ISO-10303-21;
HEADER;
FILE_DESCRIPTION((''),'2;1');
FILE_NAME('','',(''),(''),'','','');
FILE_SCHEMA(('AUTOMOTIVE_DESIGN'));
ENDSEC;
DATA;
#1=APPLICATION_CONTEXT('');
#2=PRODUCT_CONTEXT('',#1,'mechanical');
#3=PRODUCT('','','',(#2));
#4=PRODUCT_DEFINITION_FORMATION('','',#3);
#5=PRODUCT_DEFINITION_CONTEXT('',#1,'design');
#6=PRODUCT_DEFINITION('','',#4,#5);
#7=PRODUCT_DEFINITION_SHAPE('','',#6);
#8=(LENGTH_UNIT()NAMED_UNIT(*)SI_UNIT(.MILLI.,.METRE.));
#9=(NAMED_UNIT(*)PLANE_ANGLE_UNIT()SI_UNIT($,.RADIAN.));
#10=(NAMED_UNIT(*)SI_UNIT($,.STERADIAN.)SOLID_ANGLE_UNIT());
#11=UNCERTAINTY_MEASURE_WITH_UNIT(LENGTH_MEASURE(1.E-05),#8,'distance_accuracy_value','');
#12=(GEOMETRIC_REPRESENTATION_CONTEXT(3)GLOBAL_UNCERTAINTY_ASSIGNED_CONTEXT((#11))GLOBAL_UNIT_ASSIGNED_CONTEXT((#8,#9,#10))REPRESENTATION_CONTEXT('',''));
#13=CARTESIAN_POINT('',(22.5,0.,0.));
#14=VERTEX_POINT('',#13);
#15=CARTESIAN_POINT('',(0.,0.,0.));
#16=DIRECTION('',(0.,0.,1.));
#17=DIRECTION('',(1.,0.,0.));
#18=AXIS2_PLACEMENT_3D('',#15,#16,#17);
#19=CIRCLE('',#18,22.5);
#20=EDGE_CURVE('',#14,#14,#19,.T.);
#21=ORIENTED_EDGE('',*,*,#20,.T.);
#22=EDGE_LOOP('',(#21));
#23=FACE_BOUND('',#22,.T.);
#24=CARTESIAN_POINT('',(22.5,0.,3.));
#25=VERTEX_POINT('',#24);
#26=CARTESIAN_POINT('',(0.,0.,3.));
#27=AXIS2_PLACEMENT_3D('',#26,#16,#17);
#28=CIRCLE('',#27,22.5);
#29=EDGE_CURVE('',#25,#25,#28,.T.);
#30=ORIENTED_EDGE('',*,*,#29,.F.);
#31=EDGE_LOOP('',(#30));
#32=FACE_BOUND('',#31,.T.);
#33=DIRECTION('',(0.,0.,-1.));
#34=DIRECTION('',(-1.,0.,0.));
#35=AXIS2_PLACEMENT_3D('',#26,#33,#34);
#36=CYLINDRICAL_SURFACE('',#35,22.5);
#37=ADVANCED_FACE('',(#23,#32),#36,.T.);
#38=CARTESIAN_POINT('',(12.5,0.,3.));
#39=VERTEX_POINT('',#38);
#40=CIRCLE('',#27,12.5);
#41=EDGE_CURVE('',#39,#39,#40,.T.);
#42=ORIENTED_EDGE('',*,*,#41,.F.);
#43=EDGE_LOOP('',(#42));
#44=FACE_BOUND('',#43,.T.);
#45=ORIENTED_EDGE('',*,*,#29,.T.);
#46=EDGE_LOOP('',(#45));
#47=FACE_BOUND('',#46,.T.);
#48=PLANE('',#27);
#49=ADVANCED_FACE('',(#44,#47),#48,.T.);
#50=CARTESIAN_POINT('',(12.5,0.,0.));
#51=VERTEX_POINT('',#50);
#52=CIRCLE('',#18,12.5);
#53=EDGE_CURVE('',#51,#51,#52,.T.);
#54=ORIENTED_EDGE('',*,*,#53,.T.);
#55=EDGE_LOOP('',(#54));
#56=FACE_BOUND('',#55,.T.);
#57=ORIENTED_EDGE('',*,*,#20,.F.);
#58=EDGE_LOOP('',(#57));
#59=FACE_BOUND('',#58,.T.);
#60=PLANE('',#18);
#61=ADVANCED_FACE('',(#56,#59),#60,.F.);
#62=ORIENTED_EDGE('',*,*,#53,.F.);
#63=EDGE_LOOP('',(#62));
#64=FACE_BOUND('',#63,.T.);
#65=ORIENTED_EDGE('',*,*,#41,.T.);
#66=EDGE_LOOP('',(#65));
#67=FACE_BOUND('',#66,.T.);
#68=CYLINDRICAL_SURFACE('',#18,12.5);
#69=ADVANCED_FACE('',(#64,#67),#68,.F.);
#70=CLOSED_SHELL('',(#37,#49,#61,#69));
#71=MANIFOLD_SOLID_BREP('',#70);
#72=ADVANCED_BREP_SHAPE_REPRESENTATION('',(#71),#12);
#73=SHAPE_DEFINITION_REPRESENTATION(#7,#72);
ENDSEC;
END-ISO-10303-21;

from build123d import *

# Parameters (mm, degrees)
SKETCH1_R           = 22.5
BOSS_EXTRUDE1_DEPTH = 3
SKETCH2_R           = 12.5
CUT_EXTRUDE1_DEPTH  = 3


with BuildPart() as part:
    # Sketch1 → Boss-Extrude1 (new body)
    with BuildSketch(Plane.XY):
        Circle(SKETCH1_R)
    extrude(amount=BOSS_EXTRUDE1_DEPTH)

    # Sketch2 → Cut-Extrude1 (cut)
    with BuildSketch(Plane.XY.offset(3)):
        Circle(SKETCH2_R)
    extrude(amount=-CUT_EXTRUDE1_DEPTH, mode=Mode.SUBTRACT)


solid = part.part
